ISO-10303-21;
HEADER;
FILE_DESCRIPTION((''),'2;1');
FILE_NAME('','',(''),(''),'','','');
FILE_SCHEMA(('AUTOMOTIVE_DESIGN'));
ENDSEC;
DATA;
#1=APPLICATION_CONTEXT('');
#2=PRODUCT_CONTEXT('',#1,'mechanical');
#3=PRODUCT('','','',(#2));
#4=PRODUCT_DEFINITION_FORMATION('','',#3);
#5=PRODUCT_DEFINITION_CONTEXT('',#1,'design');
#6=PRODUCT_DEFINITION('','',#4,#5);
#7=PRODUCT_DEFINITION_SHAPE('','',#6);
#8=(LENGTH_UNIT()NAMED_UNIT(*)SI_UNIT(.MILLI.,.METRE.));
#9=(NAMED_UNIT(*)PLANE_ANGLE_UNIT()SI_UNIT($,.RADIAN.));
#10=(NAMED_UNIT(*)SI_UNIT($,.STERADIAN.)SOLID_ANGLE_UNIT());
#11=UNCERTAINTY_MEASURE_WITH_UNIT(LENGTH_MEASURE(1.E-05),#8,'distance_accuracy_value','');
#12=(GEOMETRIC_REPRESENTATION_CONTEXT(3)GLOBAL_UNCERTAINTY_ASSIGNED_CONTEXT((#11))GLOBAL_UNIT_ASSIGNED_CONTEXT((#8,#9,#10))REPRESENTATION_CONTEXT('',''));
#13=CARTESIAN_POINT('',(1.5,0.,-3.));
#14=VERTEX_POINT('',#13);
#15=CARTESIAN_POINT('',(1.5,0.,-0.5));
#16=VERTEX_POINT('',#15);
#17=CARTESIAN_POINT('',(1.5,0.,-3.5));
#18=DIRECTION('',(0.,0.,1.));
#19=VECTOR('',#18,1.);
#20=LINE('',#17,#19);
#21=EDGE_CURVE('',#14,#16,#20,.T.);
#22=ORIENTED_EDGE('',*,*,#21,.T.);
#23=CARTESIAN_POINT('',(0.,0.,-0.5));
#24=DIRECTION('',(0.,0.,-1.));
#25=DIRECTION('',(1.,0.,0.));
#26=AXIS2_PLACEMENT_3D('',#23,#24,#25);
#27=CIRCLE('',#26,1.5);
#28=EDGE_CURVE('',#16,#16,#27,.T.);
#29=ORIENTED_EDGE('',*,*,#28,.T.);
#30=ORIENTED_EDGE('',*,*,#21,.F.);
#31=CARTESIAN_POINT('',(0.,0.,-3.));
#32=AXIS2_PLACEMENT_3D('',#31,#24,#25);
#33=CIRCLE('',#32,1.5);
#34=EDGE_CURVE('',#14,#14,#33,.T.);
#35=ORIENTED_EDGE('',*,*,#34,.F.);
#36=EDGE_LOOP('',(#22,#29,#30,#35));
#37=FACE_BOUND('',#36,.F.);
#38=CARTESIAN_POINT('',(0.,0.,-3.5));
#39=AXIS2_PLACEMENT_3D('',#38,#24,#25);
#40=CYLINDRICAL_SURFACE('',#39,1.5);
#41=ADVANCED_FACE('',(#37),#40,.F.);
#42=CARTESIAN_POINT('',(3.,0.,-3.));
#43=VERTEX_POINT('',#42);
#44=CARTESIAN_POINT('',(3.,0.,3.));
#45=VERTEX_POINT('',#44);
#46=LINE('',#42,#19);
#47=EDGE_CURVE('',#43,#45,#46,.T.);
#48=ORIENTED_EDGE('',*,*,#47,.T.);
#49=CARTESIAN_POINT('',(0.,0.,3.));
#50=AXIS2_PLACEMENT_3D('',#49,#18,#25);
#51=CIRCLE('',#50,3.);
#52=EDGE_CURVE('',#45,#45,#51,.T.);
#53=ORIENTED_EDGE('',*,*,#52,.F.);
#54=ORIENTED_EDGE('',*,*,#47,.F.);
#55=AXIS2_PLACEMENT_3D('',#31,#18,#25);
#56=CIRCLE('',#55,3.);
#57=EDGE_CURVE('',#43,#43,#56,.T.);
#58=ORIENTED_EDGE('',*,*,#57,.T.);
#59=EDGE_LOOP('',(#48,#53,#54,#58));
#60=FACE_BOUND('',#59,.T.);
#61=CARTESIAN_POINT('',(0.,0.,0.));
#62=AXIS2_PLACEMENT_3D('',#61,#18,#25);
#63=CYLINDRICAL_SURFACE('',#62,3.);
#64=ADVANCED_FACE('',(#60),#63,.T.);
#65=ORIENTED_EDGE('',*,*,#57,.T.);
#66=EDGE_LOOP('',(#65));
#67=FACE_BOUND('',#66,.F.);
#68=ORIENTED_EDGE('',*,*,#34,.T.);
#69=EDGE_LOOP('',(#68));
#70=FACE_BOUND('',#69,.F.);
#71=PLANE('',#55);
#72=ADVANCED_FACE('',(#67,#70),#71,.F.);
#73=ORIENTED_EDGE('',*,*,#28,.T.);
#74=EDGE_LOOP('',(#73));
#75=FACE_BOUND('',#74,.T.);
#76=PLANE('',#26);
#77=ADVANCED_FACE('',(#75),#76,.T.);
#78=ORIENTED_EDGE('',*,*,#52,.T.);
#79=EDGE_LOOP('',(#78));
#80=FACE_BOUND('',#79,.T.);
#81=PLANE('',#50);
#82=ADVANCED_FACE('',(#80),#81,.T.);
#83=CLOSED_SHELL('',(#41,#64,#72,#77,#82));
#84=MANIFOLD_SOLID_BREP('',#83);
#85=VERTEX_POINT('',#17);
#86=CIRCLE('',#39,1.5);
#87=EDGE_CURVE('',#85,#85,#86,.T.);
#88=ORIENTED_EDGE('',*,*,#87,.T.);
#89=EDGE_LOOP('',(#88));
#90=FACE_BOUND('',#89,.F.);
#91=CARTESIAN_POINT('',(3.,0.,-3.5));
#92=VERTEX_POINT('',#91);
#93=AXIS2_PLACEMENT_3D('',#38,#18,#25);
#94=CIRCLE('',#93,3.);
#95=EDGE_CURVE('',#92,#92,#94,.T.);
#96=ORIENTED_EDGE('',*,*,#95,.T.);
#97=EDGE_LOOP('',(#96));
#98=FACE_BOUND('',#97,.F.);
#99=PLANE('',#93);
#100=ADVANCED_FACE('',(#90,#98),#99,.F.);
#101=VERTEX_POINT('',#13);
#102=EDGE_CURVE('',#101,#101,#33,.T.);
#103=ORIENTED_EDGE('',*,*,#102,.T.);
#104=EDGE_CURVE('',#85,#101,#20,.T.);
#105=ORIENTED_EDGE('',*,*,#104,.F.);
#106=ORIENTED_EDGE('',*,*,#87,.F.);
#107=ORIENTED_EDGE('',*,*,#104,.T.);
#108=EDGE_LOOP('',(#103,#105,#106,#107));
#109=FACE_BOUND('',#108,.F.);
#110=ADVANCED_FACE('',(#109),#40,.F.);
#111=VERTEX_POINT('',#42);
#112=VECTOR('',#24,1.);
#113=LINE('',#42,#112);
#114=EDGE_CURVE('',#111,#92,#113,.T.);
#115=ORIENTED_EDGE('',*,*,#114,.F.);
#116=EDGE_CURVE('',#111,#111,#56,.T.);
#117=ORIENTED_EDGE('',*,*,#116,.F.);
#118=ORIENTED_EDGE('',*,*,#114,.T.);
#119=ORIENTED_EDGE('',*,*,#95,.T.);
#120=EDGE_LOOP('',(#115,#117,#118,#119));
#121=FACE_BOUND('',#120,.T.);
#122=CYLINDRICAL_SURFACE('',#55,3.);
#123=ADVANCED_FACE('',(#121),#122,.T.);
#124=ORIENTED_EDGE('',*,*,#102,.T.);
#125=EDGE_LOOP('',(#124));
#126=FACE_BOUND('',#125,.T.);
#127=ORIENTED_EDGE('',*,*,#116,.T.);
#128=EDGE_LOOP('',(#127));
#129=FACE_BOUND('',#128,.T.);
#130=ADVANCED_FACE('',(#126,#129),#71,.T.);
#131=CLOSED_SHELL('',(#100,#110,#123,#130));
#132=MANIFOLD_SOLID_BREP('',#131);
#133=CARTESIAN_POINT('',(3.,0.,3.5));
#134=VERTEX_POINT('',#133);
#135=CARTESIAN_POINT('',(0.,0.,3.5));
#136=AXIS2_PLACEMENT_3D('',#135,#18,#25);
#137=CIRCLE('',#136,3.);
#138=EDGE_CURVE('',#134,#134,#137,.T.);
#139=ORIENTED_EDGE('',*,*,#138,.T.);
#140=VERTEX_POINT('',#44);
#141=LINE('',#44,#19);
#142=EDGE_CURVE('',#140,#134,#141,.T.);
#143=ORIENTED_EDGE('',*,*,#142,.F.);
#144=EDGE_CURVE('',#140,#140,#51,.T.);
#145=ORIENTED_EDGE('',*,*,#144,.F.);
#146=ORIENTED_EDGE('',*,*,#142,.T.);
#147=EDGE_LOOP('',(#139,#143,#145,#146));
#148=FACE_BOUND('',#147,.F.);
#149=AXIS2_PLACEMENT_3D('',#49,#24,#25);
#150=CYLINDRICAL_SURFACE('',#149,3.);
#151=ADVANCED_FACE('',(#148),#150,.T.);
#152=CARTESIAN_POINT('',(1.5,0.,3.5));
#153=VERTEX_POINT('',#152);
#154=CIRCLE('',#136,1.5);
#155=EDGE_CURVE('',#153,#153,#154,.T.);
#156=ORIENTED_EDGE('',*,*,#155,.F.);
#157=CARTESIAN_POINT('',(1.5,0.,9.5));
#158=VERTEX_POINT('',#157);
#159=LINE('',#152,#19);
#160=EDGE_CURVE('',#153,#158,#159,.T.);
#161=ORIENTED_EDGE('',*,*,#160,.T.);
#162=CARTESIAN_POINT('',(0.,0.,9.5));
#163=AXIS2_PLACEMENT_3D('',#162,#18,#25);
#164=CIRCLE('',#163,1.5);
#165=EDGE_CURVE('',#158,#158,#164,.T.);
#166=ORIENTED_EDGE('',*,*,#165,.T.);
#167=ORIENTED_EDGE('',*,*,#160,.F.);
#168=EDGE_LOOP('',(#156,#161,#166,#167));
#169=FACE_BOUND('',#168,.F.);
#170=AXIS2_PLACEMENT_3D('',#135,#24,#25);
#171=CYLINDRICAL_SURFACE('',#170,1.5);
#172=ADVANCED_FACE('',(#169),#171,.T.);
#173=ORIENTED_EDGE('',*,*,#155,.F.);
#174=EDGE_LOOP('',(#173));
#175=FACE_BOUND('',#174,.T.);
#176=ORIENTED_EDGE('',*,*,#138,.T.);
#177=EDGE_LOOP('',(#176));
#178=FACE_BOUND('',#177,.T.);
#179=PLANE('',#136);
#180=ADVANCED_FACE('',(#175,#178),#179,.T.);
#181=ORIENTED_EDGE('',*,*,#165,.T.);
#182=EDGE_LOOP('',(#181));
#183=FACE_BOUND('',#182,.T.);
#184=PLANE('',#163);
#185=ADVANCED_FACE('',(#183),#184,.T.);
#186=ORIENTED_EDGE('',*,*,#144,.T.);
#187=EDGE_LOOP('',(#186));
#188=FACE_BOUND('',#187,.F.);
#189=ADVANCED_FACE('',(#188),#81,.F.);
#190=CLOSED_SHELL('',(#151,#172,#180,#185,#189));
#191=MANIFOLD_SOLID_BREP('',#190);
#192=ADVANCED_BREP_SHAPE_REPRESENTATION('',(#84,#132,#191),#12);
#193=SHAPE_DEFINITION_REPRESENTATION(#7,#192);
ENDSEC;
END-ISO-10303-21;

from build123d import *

# Parameters (mm, degrees)
F4_R      = 3
F5_DEPTH  = 3
F6_DEPTH  = 0.5
F7_DEPTH  = 0.5
F8_R      = 1.5
F9_DEPTH  = 6
F10_R     = 1.5
F11_DEPTH = 3


with BuildPart() as f5:
    # F4 (on Top) → F5 (new body, symmetric)
    with BuildSketch(Plane.XY):
        Circle(F4_R)
    extrude(amount=F5_DEPTH, both=True)


with BuildPart() as f6:
    # F6 (new): a face of the model
    f6_faces = [f5.part.faces().sort_by_distance(p)[0] for p in [
        (0, 0, 3),
    ]]
    extrude(f6_faces, amount=F6_DEPTH)

    # F8 (on face) → F9 (join)
    with BuildSketch(Plane.XY.offset(3.5)):
        Circle(F8_R)
    extrude(amount=F9_DEPTH)


with BuildPart() as f7:
    # F7 (new): a face of the model
    f7_faces = [f5.part.faces().sort_by_distance(p)[0] for p in [
        (0, 0, -3),
    ]]
    extrude(f7_faces, amount=F7_DEPTH)


with BuildPart() as f11:
    # F10 (on face) → F11 (new body)
    with BuildSketch(Plane(origin=(0, 0, -3.5), x_dir=(1, 0, 0), z_dir=(0, 0, -1))):
        Circle(F10_R)
    extrude(amount=-F11_DEPTH)


with BuildPart() as f7_1:
    add(f7.part)

    # F12: cut F11
    add(f11.part, mode=Mode.SUBTRACT)


with BuildPart() as f5_1:
    add(f5.part)

    # F12: cut F11
    add(f11.part, mode=Mode.SUBTRACT)


solid = Compound([f6.part, f7_1.part, f5_1.part])
